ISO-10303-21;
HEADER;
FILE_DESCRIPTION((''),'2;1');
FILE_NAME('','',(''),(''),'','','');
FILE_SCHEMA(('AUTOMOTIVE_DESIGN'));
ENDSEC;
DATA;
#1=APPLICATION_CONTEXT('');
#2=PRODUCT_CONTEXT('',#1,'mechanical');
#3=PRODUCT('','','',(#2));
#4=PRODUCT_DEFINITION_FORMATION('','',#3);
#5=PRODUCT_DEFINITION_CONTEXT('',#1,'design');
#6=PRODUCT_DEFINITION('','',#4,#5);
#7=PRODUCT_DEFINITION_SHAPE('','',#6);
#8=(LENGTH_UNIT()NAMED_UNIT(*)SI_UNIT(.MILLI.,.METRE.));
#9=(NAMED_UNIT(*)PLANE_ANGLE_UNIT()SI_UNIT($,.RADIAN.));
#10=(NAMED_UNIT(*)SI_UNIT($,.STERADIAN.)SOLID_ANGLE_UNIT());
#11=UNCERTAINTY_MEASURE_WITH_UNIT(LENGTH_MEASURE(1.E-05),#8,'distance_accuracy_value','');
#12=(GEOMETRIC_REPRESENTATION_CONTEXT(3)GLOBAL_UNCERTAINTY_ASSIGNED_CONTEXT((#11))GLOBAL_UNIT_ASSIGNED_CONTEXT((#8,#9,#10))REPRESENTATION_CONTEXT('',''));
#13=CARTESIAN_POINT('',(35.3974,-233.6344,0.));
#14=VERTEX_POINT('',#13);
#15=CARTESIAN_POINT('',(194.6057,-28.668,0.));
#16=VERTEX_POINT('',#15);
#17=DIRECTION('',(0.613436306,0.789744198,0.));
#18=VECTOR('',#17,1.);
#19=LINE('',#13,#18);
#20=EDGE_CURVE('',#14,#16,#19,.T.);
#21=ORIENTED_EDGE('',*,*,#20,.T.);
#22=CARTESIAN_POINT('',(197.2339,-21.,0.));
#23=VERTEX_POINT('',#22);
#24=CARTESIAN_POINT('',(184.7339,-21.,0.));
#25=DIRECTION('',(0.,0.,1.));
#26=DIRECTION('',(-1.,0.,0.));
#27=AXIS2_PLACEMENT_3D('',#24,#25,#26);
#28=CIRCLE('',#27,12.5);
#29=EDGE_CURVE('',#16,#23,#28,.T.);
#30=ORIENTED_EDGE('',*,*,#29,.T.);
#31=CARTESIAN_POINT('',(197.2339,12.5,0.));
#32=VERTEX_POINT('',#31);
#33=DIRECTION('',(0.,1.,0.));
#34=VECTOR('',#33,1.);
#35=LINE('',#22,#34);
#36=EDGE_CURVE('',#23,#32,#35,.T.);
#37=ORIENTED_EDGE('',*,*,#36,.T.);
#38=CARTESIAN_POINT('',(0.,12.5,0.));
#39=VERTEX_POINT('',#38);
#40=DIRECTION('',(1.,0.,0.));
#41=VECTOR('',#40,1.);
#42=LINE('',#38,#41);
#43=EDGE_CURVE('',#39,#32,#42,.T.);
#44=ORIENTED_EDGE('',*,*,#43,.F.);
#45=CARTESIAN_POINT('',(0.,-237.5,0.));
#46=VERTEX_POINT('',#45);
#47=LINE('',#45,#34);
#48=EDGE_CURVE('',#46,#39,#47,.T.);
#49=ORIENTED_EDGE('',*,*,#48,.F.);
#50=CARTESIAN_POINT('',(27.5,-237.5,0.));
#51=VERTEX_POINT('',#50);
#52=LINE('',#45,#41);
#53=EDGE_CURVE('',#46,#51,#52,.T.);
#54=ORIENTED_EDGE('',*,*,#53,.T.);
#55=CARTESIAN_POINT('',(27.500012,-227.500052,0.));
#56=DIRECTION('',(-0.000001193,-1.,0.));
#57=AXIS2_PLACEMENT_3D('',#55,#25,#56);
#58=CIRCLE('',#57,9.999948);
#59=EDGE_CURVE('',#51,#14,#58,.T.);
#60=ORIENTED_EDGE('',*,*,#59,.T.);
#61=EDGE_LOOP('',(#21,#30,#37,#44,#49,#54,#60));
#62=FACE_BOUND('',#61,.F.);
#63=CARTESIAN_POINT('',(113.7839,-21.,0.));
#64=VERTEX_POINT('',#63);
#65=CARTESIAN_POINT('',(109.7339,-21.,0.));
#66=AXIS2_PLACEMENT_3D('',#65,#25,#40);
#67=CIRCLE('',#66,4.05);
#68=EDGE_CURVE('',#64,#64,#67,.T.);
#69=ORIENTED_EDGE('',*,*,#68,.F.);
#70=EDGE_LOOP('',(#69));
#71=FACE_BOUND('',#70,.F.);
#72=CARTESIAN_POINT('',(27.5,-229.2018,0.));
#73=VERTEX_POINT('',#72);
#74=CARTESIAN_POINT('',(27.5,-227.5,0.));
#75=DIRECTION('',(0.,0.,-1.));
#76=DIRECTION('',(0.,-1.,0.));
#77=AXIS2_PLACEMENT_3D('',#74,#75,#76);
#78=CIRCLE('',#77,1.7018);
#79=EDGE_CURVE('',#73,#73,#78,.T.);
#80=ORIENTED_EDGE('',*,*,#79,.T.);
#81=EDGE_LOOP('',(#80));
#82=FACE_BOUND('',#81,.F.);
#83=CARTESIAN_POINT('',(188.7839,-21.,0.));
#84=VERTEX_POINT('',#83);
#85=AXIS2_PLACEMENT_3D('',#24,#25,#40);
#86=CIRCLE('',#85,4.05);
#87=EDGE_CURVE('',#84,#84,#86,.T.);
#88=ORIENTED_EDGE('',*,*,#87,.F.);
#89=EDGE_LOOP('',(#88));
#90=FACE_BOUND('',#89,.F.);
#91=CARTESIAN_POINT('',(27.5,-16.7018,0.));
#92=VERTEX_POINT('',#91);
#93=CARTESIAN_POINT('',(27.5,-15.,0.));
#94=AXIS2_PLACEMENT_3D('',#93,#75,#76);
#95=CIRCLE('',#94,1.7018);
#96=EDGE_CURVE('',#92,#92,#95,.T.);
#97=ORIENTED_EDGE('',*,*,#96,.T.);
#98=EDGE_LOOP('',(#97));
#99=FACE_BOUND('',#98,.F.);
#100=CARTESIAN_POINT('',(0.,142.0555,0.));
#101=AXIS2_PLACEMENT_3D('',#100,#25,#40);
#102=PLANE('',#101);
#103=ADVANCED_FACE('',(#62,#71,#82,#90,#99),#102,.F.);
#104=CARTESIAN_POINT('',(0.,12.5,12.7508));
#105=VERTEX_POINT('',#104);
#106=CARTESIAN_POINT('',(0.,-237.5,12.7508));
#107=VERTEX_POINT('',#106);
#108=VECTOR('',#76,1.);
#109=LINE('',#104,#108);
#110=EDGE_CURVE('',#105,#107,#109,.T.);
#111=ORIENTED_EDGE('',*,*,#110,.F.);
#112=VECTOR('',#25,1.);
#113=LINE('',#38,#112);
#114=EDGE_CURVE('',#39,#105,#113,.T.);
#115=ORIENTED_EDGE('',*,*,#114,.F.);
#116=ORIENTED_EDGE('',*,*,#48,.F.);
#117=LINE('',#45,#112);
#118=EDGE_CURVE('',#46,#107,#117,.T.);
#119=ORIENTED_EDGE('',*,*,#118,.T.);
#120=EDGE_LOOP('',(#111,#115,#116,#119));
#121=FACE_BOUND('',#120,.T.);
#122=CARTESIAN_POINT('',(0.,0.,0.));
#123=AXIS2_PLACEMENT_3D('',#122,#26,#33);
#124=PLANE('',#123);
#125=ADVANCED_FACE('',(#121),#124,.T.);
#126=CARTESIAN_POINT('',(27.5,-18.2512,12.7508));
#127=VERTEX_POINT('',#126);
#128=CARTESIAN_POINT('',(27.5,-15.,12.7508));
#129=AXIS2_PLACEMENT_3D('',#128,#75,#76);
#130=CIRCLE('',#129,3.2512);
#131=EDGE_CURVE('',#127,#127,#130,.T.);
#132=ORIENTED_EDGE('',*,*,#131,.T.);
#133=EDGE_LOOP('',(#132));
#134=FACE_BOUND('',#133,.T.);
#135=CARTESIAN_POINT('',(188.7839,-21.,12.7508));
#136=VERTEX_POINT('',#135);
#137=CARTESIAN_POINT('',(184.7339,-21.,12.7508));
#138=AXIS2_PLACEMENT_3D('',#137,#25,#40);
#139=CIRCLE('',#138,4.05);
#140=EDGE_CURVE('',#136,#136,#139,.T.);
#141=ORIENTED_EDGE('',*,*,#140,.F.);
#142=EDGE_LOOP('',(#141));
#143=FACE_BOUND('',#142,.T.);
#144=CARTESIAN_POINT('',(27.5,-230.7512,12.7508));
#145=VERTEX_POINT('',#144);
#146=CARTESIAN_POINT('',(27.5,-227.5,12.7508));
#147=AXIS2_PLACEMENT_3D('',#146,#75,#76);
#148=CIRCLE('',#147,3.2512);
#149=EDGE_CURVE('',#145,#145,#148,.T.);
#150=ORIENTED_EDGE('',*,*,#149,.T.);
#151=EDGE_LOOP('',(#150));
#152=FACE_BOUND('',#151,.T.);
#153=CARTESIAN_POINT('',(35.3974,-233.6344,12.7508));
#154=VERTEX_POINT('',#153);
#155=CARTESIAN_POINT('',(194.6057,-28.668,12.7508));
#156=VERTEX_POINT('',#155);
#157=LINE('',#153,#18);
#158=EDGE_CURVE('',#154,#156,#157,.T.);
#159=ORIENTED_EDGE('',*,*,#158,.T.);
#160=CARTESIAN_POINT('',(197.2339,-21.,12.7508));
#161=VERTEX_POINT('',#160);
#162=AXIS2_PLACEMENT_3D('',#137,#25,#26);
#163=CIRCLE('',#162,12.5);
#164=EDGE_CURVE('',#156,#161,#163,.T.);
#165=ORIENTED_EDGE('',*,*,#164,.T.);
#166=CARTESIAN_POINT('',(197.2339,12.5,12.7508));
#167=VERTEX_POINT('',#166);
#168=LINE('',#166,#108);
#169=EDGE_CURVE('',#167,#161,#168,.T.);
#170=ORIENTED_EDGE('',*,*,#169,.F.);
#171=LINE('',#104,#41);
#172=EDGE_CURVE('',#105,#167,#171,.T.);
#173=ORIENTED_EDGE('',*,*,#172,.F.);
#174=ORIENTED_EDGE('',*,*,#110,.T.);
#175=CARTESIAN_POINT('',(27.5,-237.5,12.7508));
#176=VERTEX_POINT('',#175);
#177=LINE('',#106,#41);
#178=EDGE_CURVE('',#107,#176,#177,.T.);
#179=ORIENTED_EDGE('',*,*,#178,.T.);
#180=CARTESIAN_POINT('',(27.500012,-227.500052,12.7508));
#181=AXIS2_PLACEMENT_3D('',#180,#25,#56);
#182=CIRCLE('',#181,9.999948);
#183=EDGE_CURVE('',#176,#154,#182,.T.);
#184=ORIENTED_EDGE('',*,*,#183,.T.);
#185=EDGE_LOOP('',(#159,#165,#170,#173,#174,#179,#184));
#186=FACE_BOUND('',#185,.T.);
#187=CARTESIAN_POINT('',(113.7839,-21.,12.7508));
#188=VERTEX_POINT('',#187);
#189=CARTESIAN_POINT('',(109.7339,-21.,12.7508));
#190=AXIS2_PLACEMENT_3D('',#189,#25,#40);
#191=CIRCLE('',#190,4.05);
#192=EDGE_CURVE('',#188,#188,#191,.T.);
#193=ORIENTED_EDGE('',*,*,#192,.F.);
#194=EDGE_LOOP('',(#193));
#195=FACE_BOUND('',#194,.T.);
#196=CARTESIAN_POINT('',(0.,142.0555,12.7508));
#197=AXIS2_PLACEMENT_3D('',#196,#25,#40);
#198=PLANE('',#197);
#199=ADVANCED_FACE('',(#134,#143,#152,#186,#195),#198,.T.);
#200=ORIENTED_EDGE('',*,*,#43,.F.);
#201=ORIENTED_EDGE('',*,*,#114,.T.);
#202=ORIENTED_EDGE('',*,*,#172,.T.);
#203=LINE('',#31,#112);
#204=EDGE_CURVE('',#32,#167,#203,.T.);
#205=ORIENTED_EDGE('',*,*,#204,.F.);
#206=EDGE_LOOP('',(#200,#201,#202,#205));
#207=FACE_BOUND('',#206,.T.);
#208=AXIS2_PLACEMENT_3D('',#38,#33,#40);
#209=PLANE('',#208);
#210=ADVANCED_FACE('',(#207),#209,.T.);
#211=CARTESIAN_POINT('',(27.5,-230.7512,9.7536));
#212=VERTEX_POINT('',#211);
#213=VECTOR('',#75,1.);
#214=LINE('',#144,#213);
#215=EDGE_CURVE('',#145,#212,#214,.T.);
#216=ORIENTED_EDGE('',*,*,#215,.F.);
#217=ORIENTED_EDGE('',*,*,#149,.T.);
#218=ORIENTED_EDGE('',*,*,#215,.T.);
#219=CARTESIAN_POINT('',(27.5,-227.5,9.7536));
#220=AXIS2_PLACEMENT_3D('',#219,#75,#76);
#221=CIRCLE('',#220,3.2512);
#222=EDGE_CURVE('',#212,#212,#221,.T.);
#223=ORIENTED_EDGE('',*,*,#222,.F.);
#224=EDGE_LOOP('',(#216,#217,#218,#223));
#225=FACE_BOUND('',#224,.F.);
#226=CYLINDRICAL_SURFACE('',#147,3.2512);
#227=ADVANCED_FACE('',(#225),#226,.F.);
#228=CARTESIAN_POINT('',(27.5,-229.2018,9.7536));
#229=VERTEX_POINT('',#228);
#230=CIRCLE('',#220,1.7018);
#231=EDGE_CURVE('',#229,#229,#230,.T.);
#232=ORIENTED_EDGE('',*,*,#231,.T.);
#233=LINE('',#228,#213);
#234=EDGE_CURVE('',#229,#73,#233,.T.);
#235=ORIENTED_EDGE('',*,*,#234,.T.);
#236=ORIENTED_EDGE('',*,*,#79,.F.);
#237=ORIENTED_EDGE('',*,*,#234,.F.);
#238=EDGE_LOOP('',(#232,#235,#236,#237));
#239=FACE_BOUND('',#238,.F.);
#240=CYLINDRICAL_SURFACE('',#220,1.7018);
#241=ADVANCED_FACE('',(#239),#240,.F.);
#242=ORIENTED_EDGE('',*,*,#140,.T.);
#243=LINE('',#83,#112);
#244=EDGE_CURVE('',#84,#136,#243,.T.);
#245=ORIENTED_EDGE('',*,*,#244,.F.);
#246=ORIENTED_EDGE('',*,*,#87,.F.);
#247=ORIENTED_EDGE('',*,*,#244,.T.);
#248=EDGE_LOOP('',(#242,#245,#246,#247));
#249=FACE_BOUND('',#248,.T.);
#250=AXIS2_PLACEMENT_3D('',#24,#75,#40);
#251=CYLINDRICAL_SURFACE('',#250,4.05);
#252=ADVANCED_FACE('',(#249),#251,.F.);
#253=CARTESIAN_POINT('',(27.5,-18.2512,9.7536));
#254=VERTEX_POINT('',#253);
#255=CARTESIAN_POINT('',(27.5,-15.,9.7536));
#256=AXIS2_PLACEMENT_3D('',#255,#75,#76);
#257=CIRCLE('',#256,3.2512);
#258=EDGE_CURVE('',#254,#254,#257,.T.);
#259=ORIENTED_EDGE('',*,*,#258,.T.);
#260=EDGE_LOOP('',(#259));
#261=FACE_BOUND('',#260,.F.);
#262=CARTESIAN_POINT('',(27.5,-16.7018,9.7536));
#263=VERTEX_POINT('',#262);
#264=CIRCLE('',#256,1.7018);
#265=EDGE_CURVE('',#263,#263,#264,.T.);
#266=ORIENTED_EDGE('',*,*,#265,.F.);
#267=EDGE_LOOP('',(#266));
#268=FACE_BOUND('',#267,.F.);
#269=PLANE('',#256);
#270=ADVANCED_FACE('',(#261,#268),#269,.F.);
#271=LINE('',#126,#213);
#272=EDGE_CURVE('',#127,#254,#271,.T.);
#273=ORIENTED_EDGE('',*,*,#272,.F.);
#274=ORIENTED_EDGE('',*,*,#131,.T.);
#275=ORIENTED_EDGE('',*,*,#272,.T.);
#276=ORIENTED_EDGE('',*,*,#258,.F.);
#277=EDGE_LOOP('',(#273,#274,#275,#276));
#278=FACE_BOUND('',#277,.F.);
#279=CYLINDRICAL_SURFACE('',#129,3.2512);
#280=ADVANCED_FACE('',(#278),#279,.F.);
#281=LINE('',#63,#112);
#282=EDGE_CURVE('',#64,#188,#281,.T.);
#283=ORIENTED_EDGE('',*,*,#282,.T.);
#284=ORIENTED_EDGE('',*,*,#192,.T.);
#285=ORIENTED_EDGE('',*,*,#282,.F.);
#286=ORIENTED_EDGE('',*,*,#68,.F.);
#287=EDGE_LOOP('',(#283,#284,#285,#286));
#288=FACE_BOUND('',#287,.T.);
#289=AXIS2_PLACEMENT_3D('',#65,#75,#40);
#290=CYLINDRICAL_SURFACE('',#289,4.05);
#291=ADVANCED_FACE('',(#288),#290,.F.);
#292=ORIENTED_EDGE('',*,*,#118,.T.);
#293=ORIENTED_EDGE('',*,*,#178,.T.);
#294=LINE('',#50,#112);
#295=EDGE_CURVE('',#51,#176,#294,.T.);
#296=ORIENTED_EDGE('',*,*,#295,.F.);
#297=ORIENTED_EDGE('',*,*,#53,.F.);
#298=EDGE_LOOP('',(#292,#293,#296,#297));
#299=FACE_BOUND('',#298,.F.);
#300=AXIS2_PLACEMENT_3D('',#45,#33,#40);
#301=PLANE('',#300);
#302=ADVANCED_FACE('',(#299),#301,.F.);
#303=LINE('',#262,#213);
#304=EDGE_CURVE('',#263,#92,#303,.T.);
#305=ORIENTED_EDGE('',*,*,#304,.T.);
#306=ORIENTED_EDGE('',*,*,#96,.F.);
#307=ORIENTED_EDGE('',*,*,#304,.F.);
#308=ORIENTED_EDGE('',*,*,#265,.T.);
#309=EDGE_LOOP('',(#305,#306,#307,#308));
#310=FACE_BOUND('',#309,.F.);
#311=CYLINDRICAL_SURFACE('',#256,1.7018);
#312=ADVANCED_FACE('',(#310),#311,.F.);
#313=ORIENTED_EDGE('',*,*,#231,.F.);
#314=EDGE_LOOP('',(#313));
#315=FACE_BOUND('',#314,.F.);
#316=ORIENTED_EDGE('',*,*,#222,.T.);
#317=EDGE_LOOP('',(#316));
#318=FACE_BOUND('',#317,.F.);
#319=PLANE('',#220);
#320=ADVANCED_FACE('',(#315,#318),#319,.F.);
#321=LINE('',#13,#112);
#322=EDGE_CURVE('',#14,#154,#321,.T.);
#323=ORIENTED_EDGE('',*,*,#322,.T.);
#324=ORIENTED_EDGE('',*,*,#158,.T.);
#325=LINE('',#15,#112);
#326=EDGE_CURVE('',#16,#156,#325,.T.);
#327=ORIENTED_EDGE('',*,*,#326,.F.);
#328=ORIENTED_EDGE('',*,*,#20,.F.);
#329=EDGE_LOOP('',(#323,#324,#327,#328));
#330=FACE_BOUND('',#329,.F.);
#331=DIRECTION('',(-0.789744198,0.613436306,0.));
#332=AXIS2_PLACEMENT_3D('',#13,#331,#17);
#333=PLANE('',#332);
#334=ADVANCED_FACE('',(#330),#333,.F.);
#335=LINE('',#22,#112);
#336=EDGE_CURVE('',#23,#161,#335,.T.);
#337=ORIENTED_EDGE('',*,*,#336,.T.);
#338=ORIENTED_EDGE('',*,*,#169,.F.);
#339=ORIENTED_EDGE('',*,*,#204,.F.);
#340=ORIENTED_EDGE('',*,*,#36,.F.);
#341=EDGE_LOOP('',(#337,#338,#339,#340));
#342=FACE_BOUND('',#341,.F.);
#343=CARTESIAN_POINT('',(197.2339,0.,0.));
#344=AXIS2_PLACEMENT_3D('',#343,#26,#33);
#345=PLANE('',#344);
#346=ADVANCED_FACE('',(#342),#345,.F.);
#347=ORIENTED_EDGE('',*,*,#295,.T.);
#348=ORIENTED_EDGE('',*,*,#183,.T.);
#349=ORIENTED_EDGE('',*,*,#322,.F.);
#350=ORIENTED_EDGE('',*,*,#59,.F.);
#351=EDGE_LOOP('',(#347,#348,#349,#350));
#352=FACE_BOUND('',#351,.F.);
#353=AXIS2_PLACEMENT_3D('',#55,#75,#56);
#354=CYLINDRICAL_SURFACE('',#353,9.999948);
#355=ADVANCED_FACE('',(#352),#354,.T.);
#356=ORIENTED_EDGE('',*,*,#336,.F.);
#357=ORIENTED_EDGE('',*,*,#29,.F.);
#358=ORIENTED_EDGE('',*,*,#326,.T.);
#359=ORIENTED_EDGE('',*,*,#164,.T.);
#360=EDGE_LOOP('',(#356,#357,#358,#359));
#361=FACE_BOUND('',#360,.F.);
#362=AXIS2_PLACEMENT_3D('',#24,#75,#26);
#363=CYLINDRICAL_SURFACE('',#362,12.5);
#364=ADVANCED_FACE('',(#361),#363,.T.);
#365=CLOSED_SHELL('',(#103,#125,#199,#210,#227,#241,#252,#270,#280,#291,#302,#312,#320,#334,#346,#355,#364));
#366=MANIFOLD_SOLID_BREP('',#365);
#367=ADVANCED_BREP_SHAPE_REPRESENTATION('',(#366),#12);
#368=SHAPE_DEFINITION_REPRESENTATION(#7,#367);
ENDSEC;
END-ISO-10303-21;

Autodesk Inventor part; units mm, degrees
ref_plane "YZ Plane" through (0, 0, 0) normal (1, 0, 0) x (0, 1, 0)
ref_plane "XZ Plane" through (0, 0, 0) normal (0, 1, 0) x (-1, 0, 0)
ref_plane "XY Plane" through (0, 0, 0) normal (0, 0, 1) x (1, 0, 0)
ref_plane "Work Plane1" through (0, 142.0555, 0) normal (0, 0, 1) x (1, 0, 0)
sketch "Sketch1" plane through (0, 142.0555, 0) normal (0, 0, 1) x (1, 0, 0)
  line L0 (450, -129.5555) -> (450, -142.0555) projected
  line L1 (0, -129.5555) -> (450, -129.5555) projected
  line L2 (0, -142.0555) -> (0, -129.5555) projected
  line L3 (450, -142.0555) -> (0, -142.0555) projected
  circle A0 centre (109.7339, -163.0555) radius 4.05 projected
  circle A1 centre (184.7339, -163.0555) radius 4.05 projected
  line L4 (92.2339, -147.0555) -> (92.2339, -142.0555) projected
  arc A2 (97.2339, -152.0555) -> (92.2339, -147.0555) centre (92.2339, -152.0555) ccw projected
  line L5 (97.2339, -152.0555) -> (97.2339, -163.0555) projected
  arc A3 (97.2339, -163.0555) -> (122.2339, -163.0555) centre (109.7339, -163.0555) ccw projected
  line L6 (122.2339, -163.0555) -> (122.2339, -152.0555) projected
  arc A4 (127.2339, -147.0555) -> (122.2339, -152.0555) centre (127.2339, -152.0555) ccw projected
  line L7 (127.2339, -147.0555) -> (167.2339, -147.0555) projected
  arc A5 (172.2339, -152.0555) -> (167.2339, -147.0555) centre (167.2339, -152.0555) ccw projected
  line L8 (172.2339, -152.0555) -> (172.2339, -163.0555) projected
  arc A6 (172.2339, -163.0555) -> (197.2339, -163.0555) centre (184.7339, -163.0555) ccw projected
  line L9 (197.2339, -163.0555) -> (197.2339, -152.0555) projected
  arc A7 (202.2339, -147.0555) -> (197.2339, -152.0555) centre (202.2339, -152.0555) ccw projected
  line L10 (202.2339, -142.0555) -> (202.2339, -147.0555) projected
  line L11 (92.2339, -142.0555) -> (202.2339, -142.0555) projected
  line L12 (0, -129.5555) -> (0, -379.5555)
  line L13 (0, -379.5555) -> (27.5, -379.5555)
  line L14 (35.3974, -375.6899) -> (194.6057, -170.7235)
  line L15 (197.2339, -163.0555) -> (197.2339, -129.5555)
  line L16 (0, -129.5555) -> (197.2339, -129.5555)
  arc A8 (194.6057, -170.7235) -> (197.2339, -163.0555) centre (184.7339, -163.0555) ccw
  arc A9 (27.5, -379.5555) -> (35.3974, -375.6899) centre (27.5, -369.5555) ccw
  dimension "d2" = 250
  dimension "d5" = 20
  dimension "d6" = 27.5
extrude "Extrusion1" add sketch "Sketch1" along normal blind 12.7508 contours L15 L3 L2 L1 | L15 L9 A6 L8 A5 L7 A4 L6 A3 L5 A2 L4 L3 | L3 L4 A2 L5 A3 L6 A4 L7 A5 L8 A6 L14 A9 L13 L12
sketch "Sketch2" plane through (0, 142.0555, 0) normal (0, 0, -1) x (-1, 0, 0)
  circle A0 centre (-27.5, -369.5555) radius 1.55
  circle A1 centre (-27.5, -157.0555) radius 1.55
  point P0 (0, -142.0555)
extrude "Extrusion2" cut sketch "Sketch2" against normal through all
sketch "Sketch3" plane through (0, 142.0555, 12.7508) normal (0, 0, 1) x (1, 0, 0)
  circle A0 centre (27.5, -157.0555) radius 1.55 projected
  arc A1 (27.5, -379.5555) -> (35.3974, -375.6899) centre (27.5, -369.5555) ccw projected
  point P0 (0, -142.0555)
hole "Hole1" at (27.5, -15, 12.7508) at (27.5, -227.5, 12.7508) direction (0, 0, -1) diameter 3.4036 end through all counterbore diameter 6.5024 counterbore depth 2.9972 clearance for "Socket Head Cap Screw" size "M3" standard "Ansi Metric M Profile"
properties part number "side support"
